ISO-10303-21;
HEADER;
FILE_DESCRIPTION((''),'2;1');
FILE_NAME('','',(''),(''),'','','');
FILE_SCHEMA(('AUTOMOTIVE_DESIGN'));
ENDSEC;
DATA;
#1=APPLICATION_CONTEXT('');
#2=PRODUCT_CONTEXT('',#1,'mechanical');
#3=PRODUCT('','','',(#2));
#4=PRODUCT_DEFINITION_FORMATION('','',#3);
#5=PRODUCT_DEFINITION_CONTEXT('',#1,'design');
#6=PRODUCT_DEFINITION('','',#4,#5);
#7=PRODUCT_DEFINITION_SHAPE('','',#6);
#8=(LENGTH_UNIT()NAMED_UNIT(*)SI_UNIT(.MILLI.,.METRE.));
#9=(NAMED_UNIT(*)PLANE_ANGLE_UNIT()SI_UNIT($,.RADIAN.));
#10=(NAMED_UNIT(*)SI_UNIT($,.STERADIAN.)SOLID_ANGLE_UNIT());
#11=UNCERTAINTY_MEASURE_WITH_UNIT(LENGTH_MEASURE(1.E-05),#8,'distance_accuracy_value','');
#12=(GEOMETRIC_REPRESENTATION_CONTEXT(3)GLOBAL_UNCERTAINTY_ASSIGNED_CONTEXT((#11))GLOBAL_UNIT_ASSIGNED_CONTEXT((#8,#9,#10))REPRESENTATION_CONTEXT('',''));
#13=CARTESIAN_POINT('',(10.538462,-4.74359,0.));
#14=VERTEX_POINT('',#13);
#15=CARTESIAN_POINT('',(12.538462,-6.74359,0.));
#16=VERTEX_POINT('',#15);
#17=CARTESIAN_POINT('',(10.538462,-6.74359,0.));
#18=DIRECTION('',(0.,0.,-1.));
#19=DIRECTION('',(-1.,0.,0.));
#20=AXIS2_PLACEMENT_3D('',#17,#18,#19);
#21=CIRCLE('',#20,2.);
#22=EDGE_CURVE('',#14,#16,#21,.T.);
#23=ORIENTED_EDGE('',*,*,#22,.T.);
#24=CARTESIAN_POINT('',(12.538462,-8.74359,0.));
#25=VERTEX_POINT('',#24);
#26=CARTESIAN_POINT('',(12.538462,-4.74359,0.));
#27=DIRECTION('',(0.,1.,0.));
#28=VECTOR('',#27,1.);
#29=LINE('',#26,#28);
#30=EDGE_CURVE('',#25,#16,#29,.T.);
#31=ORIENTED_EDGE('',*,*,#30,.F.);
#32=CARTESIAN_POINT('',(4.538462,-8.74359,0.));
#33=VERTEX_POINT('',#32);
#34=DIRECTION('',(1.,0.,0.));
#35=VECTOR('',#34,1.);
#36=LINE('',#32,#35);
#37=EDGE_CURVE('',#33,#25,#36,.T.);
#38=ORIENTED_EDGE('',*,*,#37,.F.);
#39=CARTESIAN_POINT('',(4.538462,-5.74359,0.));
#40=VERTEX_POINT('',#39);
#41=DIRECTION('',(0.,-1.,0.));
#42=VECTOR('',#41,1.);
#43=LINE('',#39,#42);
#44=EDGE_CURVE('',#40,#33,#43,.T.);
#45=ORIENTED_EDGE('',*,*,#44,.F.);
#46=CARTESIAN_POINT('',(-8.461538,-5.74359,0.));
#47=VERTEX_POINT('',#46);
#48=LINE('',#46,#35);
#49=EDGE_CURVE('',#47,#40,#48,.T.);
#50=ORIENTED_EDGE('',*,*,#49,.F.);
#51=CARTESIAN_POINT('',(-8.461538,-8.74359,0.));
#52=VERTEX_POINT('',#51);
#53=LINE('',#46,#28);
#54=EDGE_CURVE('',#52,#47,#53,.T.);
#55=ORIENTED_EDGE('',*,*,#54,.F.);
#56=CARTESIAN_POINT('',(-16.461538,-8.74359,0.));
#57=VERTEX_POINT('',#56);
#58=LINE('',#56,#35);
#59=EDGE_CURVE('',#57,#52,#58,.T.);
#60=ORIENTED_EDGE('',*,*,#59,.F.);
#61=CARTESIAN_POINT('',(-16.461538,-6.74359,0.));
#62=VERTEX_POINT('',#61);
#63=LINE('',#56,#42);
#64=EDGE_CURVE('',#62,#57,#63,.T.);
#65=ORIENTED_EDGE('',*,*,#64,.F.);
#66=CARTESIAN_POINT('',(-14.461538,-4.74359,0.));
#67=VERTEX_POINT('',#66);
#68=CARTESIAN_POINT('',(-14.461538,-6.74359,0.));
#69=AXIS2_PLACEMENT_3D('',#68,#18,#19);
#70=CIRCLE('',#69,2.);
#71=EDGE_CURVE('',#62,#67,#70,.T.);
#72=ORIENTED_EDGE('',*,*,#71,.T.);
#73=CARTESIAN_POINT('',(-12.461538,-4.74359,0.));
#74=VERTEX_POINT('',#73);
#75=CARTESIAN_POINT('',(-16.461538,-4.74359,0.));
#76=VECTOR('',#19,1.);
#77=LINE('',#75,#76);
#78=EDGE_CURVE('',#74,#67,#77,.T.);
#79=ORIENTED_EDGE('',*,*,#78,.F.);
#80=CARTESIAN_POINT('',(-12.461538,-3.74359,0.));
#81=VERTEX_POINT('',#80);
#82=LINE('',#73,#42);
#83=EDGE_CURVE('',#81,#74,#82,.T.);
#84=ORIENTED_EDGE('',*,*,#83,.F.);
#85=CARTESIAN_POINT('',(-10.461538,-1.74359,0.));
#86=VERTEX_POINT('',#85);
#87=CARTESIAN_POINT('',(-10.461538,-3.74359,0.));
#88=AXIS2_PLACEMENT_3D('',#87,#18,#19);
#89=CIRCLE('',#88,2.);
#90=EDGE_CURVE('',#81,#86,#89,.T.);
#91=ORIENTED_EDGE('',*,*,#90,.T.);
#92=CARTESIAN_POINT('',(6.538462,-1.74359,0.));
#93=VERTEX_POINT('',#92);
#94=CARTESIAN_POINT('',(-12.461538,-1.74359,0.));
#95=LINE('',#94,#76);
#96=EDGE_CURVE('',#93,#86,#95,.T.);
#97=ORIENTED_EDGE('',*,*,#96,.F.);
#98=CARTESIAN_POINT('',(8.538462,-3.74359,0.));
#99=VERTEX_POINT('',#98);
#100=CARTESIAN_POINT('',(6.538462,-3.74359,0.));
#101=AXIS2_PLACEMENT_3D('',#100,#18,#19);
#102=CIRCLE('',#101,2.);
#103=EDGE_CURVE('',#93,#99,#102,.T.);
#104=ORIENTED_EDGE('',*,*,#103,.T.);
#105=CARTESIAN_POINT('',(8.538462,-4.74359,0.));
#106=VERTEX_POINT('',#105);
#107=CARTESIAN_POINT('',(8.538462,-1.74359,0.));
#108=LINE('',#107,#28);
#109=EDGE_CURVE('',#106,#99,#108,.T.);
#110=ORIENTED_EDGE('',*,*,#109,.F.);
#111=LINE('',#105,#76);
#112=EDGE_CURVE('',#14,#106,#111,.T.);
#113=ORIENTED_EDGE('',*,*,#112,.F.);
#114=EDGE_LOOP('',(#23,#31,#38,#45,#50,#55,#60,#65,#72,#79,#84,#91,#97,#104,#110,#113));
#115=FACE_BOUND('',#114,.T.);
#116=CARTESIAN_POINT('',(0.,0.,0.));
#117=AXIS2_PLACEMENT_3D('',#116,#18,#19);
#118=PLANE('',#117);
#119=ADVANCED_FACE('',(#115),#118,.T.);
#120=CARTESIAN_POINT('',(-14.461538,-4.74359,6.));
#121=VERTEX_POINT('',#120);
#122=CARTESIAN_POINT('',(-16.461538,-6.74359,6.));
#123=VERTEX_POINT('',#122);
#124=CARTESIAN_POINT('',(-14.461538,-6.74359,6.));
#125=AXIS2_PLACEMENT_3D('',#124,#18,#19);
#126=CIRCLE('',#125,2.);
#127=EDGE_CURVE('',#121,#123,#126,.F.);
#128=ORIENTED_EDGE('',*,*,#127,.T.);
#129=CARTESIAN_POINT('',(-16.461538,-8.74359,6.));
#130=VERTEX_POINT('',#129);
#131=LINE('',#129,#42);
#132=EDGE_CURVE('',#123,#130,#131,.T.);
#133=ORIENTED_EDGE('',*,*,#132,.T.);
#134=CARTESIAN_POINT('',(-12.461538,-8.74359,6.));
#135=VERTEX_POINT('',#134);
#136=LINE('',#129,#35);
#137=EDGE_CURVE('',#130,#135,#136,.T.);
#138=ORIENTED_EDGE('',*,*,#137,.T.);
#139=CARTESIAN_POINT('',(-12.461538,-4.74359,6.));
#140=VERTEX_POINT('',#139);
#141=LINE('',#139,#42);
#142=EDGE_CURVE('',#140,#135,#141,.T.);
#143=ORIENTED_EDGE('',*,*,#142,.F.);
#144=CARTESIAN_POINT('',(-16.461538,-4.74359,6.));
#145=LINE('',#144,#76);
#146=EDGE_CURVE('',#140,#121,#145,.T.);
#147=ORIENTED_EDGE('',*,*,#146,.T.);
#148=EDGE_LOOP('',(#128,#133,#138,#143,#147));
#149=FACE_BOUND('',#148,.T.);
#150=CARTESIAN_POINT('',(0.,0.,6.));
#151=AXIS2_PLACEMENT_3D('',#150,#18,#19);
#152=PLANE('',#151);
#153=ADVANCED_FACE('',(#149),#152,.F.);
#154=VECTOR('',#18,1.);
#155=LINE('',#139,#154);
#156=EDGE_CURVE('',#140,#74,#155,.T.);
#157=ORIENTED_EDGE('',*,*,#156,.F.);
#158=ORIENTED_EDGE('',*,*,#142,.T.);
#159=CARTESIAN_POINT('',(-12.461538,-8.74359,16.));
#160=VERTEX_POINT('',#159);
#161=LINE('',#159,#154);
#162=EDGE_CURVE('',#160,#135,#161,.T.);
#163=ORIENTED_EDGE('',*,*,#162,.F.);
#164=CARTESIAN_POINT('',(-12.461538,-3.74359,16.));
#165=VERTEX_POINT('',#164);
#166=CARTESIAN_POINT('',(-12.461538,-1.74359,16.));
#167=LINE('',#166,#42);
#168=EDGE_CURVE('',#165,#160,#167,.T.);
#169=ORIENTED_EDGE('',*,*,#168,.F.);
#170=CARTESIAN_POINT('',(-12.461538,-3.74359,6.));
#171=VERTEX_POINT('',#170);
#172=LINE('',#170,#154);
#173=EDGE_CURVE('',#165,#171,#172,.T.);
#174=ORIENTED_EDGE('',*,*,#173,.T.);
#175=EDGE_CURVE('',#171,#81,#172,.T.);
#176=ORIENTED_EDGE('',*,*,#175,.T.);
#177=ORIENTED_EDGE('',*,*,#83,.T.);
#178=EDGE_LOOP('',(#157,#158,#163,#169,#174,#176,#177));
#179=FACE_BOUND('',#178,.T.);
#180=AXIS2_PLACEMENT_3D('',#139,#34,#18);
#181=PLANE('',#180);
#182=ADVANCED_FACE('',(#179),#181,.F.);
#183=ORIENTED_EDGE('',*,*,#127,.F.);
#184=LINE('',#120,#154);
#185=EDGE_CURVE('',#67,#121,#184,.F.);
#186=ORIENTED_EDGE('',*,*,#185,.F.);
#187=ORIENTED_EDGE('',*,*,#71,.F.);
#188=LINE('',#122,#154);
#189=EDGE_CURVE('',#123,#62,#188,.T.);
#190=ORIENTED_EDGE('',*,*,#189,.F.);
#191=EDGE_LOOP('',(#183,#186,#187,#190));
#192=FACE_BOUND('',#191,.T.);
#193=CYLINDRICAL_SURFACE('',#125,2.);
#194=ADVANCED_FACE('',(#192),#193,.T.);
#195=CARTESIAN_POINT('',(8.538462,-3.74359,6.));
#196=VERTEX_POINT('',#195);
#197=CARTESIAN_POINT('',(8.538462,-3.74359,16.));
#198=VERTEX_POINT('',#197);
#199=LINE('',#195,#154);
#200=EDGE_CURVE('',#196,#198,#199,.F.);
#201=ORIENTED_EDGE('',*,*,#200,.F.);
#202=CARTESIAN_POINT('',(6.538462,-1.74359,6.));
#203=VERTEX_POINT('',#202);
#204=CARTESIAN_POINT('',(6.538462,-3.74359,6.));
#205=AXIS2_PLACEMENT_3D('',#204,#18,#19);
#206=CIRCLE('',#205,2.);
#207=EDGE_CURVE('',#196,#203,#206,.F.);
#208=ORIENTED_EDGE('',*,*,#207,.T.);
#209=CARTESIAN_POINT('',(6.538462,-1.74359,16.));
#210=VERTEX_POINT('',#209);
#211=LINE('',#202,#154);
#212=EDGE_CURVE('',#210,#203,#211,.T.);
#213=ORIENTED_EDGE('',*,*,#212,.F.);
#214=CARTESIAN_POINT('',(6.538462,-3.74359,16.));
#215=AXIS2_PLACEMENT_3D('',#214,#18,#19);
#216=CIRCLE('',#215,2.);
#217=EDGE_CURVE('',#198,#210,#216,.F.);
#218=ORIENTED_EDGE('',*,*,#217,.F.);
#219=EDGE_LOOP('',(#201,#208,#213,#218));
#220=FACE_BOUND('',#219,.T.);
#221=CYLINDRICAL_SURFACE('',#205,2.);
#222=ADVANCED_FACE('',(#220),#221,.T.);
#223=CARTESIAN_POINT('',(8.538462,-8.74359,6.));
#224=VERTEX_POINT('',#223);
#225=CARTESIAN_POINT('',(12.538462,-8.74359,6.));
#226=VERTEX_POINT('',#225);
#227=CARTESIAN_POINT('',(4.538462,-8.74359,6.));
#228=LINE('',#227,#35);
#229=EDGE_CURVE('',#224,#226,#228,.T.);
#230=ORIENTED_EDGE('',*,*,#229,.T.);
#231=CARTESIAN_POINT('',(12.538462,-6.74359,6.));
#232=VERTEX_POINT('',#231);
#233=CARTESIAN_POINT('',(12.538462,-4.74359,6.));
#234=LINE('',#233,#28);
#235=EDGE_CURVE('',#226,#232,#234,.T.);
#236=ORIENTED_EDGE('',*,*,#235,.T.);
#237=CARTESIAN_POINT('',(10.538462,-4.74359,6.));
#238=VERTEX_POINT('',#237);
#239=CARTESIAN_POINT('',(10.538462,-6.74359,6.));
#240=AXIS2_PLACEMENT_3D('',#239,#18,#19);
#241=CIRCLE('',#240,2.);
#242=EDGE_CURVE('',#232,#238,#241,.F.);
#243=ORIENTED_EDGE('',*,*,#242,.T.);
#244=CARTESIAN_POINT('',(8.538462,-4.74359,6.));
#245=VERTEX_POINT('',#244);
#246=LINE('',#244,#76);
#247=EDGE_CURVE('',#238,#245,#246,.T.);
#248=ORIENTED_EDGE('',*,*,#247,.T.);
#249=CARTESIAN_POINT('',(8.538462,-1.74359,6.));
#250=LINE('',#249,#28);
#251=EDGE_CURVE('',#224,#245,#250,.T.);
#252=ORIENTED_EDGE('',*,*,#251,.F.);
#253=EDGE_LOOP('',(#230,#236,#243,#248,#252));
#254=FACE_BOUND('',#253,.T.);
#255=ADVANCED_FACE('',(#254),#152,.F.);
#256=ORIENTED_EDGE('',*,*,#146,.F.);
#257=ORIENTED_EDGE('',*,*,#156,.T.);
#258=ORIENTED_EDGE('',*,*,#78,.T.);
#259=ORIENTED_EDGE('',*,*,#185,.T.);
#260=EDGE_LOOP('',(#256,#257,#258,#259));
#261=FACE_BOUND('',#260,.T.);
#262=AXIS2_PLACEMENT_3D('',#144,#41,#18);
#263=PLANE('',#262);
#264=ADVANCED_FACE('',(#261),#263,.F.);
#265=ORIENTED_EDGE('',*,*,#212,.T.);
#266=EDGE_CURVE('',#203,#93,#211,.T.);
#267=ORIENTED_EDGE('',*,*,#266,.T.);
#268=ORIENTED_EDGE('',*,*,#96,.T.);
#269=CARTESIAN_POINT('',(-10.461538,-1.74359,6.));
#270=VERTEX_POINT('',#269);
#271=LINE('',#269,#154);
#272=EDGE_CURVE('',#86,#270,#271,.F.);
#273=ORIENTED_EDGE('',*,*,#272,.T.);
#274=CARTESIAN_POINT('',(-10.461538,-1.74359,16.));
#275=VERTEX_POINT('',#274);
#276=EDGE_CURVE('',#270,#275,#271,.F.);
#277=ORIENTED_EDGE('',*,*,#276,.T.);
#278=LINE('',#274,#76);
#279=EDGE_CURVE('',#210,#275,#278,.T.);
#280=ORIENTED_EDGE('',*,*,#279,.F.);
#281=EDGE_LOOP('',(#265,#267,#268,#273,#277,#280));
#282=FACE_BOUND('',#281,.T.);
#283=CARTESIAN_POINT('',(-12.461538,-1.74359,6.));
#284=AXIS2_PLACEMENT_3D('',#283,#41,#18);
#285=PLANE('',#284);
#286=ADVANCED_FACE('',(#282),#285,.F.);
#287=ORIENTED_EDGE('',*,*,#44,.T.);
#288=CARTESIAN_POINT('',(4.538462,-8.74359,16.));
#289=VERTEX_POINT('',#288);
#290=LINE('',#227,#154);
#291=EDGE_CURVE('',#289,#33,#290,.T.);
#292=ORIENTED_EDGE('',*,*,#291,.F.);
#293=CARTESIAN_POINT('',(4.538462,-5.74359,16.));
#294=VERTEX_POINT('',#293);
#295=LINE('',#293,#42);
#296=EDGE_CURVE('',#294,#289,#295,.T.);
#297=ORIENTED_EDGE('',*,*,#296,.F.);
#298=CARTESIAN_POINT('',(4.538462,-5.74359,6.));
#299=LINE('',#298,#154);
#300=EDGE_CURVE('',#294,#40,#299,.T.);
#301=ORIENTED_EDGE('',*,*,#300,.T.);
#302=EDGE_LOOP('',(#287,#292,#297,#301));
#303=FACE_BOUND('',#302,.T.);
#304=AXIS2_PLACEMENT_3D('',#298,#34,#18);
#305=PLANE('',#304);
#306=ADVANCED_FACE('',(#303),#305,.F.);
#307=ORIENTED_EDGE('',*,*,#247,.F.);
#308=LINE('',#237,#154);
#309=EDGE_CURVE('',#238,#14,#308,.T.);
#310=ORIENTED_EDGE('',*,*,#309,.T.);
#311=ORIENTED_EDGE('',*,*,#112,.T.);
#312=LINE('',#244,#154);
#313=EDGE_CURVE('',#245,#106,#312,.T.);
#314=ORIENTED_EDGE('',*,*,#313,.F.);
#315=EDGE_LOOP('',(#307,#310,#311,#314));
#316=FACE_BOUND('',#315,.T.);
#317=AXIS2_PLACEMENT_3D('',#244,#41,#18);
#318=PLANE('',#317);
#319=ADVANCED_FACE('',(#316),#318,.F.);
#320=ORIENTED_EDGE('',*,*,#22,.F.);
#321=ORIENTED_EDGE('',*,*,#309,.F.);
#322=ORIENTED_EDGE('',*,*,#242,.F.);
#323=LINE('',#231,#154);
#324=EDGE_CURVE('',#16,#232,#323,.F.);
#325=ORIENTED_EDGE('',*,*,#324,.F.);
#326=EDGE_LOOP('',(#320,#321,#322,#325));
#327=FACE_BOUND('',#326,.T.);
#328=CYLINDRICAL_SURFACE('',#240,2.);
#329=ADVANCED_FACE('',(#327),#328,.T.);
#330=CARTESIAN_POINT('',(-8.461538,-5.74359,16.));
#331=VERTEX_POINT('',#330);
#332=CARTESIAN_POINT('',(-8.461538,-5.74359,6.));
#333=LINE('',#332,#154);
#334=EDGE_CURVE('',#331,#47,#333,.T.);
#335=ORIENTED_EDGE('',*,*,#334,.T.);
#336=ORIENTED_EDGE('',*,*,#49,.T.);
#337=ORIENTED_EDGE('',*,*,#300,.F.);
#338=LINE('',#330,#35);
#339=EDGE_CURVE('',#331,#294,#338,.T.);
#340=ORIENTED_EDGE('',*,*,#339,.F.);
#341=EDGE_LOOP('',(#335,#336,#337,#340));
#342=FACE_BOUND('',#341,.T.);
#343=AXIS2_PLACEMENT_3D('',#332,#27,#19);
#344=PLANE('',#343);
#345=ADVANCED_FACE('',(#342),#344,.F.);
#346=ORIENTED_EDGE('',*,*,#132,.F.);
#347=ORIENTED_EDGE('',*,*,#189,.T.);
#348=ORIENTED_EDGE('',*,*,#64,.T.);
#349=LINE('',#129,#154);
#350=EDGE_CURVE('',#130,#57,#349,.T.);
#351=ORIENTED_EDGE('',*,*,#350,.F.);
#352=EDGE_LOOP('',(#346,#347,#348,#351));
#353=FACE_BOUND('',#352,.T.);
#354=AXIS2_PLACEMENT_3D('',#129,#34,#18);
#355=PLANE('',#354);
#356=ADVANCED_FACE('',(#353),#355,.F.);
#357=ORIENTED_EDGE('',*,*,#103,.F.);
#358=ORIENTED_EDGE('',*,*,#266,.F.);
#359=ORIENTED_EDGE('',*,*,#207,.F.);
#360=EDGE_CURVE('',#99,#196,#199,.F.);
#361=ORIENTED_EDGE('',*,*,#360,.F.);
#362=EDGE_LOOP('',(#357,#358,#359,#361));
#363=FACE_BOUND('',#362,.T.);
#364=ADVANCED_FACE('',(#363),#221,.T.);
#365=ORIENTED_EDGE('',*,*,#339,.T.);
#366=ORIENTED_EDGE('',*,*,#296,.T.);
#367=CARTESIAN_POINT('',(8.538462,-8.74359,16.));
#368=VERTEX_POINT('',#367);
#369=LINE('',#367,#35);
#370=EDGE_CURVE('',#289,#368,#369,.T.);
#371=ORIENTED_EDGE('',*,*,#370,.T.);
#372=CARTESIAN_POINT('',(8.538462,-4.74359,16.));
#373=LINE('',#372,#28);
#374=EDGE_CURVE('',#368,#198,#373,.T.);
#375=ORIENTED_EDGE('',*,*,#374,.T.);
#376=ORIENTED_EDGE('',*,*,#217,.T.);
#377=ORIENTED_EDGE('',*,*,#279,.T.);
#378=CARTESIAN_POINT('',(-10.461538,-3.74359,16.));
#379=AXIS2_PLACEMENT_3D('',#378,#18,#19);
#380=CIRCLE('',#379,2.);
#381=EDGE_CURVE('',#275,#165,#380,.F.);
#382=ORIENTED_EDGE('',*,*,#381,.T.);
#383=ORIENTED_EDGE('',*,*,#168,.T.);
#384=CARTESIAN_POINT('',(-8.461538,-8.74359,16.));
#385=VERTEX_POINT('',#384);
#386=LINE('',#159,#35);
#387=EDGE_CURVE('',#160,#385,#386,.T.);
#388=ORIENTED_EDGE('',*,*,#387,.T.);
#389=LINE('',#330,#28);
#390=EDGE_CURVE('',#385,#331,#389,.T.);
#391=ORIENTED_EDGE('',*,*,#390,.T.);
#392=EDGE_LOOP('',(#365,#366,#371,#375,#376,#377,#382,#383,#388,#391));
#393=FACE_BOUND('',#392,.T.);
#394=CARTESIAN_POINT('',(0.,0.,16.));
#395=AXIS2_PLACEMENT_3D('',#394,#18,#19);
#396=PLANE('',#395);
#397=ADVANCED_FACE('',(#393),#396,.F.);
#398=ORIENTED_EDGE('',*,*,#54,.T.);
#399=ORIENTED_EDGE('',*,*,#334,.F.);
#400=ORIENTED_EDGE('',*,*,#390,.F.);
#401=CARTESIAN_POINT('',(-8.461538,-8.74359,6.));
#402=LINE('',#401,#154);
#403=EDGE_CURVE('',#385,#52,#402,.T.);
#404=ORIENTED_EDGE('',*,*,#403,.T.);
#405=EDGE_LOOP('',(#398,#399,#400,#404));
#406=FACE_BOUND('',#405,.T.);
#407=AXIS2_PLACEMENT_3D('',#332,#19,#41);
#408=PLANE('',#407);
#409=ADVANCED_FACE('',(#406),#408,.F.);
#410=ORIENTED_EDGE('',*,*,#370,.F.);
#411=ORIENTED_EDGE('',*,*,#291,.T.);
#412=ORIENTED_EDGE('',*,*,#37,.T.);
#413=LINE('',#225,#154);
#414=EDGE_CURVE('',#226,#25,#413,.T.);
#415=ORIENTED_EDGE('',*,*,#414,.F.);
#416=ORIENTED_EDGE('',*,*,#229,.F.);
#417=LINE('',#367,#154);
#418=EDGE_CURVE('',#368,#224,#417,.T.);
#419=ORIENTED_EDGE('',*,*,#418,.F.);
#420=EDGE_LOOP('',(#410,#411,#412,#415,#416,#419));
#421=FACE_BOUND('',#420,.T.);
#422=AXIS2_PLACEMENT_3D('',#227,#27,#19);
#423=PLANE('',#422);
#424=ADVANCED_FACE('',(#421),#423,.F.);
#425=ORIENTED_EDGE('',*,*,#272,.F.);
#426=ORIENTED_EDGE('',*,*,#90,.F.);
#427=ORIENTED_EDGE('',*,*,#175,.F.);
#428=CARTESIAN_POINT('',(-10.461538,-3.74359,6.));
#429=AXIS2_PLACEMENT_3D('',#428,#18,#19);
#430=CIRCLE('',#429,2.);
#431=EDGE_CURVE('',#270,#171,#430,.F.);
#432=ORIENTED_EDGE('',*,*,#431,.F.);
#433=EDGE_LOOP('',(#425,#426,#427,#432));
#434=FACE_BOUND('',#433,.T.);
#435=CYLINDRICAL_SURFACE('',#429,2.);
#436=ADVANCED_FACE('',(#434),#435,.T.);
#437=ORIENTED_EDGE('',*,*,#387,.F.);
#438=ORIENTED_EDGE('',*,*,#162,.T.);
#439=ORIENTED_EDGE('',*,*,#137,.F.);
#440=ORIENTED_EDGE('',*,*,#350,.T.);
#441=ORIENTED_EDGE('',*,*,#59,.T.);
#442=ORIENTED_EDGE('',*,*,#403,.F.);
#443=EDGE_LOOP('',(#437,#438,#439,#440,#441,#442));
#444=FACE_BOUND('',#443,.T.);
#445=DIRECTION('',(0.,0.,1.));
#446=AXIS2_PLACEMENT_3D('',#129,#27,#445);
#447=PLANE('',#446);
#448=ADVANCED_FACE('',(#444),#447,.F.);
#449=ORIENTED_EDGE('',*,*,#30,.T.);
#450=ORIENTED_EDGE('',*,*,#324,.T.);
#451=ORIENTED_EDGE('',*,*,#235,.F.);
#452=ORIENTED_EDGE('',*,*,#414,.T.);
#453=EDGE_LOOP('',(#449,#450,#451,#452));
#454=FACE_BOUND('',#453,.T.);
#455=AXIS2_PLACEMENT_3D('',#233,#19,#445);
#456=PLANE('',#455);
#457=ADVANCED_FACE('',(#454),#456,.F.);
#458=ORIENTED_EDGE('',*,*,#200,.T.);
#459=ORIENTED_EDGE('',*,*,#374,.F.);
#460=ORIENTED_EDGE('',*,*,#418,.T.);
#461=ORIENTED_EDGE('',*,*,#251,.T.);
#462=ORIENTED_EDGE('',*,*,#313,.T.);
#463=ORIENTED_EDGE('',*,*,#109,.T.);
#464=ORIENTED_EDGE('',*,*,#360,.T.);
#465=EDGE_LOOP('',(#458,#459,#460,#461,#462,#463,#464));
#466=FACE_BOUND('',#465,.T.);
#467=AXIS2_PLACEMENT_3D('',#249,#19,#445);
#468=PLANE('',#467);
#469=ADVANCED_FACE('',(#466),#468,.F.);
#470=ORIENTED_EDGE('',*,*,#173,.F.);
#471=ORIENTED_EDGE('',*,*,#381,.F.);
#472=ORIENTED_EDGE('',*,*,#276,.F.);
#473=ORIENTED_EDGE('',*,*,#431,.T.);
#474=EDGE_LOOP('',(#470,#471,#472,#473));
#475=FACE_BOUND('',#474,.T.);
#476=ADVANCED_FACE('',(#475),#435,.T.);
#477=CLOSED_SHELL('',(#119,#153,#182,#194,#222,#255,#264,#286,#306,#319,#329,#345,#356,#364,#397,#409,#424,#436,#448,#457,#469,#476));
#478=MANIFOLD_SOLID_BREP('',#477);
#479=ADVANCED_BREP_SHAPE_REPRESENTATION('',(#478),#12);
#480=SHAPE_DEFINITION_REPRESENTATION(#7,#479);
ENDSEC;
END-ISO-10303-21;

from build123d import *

# Parameters (mm, degrees)
BOSS_EXTRUDE1_DEPTH = 6
FILLET1_R           = 2
BOSS_EXTRUDE2_DEPTH = 10
FILLET2_R           = 2


with BuildPart() as part:
    # Sketch1 → Boss-Extrude1 (new body)
    with BuildSketch(Plane.XY):
        Polygon((-16.461538462, -8.743589744), (-8.461538462, -8.743589744), (-8.461538462, -5.743589744), (4.538461538, -5.743589744), (4.538461538, -8.743589744), (12.538461538, -8.743589744), (12.538461538, -4.743589744), (8.538461538, -4.743589744), (8.538461538, -1.743589744), (-12.461538462, -1.743589744), (-12.461538462, -4.743589744), (-16.461538462, -4.743589744), align=None)
    extrude(amount=BOSS_EXTRUDE1_DEPTH)

    # Fillet1
    fillet1_edges = [part.edges().sort_by_distance(p)[0] for p in [
        (-16.461538462, -4.743589744, 3),
        (-12.461538462, -1.743589744, 3),
        (8.538461538, -1.743589744, 3),
        (12.538461538, -4.743589744, 3),
    ]]
    fillet(fillet1_edges, radius=FILLET1_R)

    # Sketch3 → Boss-Extrude2 (add)
    with BuildSketch(Plane.XY.offset(6)):
        Polygon((-8.461538462, -5.743589744), (-8.461538462, -8.743589744), (-12.461538462, -8.743589744), (-12.461538462, -4.743589744), (-12.461538462, -1.743589744), (-10.461538462, -1.743589744), (8.538461538, -1.743589744), (8.538461538, -4.743589744), (8.538461538, -8.743589744), (4.538461538, -8.743589744), (4.538461538, -5.743589744), align=None)
    extrude(amount=BOSS_EXTRUDE2_DEPTH)

    # Fillet2
    fillet2_edges = [part.edges().sort_by_distance(p)[0] for p in [
        (8.538461538, -1.743589744, 11),
        (-12.461538462, -1.743589744, 11),
    ]]
    fillet(fillet2_edges, radius=FILLET2_R)


solid = part.part
